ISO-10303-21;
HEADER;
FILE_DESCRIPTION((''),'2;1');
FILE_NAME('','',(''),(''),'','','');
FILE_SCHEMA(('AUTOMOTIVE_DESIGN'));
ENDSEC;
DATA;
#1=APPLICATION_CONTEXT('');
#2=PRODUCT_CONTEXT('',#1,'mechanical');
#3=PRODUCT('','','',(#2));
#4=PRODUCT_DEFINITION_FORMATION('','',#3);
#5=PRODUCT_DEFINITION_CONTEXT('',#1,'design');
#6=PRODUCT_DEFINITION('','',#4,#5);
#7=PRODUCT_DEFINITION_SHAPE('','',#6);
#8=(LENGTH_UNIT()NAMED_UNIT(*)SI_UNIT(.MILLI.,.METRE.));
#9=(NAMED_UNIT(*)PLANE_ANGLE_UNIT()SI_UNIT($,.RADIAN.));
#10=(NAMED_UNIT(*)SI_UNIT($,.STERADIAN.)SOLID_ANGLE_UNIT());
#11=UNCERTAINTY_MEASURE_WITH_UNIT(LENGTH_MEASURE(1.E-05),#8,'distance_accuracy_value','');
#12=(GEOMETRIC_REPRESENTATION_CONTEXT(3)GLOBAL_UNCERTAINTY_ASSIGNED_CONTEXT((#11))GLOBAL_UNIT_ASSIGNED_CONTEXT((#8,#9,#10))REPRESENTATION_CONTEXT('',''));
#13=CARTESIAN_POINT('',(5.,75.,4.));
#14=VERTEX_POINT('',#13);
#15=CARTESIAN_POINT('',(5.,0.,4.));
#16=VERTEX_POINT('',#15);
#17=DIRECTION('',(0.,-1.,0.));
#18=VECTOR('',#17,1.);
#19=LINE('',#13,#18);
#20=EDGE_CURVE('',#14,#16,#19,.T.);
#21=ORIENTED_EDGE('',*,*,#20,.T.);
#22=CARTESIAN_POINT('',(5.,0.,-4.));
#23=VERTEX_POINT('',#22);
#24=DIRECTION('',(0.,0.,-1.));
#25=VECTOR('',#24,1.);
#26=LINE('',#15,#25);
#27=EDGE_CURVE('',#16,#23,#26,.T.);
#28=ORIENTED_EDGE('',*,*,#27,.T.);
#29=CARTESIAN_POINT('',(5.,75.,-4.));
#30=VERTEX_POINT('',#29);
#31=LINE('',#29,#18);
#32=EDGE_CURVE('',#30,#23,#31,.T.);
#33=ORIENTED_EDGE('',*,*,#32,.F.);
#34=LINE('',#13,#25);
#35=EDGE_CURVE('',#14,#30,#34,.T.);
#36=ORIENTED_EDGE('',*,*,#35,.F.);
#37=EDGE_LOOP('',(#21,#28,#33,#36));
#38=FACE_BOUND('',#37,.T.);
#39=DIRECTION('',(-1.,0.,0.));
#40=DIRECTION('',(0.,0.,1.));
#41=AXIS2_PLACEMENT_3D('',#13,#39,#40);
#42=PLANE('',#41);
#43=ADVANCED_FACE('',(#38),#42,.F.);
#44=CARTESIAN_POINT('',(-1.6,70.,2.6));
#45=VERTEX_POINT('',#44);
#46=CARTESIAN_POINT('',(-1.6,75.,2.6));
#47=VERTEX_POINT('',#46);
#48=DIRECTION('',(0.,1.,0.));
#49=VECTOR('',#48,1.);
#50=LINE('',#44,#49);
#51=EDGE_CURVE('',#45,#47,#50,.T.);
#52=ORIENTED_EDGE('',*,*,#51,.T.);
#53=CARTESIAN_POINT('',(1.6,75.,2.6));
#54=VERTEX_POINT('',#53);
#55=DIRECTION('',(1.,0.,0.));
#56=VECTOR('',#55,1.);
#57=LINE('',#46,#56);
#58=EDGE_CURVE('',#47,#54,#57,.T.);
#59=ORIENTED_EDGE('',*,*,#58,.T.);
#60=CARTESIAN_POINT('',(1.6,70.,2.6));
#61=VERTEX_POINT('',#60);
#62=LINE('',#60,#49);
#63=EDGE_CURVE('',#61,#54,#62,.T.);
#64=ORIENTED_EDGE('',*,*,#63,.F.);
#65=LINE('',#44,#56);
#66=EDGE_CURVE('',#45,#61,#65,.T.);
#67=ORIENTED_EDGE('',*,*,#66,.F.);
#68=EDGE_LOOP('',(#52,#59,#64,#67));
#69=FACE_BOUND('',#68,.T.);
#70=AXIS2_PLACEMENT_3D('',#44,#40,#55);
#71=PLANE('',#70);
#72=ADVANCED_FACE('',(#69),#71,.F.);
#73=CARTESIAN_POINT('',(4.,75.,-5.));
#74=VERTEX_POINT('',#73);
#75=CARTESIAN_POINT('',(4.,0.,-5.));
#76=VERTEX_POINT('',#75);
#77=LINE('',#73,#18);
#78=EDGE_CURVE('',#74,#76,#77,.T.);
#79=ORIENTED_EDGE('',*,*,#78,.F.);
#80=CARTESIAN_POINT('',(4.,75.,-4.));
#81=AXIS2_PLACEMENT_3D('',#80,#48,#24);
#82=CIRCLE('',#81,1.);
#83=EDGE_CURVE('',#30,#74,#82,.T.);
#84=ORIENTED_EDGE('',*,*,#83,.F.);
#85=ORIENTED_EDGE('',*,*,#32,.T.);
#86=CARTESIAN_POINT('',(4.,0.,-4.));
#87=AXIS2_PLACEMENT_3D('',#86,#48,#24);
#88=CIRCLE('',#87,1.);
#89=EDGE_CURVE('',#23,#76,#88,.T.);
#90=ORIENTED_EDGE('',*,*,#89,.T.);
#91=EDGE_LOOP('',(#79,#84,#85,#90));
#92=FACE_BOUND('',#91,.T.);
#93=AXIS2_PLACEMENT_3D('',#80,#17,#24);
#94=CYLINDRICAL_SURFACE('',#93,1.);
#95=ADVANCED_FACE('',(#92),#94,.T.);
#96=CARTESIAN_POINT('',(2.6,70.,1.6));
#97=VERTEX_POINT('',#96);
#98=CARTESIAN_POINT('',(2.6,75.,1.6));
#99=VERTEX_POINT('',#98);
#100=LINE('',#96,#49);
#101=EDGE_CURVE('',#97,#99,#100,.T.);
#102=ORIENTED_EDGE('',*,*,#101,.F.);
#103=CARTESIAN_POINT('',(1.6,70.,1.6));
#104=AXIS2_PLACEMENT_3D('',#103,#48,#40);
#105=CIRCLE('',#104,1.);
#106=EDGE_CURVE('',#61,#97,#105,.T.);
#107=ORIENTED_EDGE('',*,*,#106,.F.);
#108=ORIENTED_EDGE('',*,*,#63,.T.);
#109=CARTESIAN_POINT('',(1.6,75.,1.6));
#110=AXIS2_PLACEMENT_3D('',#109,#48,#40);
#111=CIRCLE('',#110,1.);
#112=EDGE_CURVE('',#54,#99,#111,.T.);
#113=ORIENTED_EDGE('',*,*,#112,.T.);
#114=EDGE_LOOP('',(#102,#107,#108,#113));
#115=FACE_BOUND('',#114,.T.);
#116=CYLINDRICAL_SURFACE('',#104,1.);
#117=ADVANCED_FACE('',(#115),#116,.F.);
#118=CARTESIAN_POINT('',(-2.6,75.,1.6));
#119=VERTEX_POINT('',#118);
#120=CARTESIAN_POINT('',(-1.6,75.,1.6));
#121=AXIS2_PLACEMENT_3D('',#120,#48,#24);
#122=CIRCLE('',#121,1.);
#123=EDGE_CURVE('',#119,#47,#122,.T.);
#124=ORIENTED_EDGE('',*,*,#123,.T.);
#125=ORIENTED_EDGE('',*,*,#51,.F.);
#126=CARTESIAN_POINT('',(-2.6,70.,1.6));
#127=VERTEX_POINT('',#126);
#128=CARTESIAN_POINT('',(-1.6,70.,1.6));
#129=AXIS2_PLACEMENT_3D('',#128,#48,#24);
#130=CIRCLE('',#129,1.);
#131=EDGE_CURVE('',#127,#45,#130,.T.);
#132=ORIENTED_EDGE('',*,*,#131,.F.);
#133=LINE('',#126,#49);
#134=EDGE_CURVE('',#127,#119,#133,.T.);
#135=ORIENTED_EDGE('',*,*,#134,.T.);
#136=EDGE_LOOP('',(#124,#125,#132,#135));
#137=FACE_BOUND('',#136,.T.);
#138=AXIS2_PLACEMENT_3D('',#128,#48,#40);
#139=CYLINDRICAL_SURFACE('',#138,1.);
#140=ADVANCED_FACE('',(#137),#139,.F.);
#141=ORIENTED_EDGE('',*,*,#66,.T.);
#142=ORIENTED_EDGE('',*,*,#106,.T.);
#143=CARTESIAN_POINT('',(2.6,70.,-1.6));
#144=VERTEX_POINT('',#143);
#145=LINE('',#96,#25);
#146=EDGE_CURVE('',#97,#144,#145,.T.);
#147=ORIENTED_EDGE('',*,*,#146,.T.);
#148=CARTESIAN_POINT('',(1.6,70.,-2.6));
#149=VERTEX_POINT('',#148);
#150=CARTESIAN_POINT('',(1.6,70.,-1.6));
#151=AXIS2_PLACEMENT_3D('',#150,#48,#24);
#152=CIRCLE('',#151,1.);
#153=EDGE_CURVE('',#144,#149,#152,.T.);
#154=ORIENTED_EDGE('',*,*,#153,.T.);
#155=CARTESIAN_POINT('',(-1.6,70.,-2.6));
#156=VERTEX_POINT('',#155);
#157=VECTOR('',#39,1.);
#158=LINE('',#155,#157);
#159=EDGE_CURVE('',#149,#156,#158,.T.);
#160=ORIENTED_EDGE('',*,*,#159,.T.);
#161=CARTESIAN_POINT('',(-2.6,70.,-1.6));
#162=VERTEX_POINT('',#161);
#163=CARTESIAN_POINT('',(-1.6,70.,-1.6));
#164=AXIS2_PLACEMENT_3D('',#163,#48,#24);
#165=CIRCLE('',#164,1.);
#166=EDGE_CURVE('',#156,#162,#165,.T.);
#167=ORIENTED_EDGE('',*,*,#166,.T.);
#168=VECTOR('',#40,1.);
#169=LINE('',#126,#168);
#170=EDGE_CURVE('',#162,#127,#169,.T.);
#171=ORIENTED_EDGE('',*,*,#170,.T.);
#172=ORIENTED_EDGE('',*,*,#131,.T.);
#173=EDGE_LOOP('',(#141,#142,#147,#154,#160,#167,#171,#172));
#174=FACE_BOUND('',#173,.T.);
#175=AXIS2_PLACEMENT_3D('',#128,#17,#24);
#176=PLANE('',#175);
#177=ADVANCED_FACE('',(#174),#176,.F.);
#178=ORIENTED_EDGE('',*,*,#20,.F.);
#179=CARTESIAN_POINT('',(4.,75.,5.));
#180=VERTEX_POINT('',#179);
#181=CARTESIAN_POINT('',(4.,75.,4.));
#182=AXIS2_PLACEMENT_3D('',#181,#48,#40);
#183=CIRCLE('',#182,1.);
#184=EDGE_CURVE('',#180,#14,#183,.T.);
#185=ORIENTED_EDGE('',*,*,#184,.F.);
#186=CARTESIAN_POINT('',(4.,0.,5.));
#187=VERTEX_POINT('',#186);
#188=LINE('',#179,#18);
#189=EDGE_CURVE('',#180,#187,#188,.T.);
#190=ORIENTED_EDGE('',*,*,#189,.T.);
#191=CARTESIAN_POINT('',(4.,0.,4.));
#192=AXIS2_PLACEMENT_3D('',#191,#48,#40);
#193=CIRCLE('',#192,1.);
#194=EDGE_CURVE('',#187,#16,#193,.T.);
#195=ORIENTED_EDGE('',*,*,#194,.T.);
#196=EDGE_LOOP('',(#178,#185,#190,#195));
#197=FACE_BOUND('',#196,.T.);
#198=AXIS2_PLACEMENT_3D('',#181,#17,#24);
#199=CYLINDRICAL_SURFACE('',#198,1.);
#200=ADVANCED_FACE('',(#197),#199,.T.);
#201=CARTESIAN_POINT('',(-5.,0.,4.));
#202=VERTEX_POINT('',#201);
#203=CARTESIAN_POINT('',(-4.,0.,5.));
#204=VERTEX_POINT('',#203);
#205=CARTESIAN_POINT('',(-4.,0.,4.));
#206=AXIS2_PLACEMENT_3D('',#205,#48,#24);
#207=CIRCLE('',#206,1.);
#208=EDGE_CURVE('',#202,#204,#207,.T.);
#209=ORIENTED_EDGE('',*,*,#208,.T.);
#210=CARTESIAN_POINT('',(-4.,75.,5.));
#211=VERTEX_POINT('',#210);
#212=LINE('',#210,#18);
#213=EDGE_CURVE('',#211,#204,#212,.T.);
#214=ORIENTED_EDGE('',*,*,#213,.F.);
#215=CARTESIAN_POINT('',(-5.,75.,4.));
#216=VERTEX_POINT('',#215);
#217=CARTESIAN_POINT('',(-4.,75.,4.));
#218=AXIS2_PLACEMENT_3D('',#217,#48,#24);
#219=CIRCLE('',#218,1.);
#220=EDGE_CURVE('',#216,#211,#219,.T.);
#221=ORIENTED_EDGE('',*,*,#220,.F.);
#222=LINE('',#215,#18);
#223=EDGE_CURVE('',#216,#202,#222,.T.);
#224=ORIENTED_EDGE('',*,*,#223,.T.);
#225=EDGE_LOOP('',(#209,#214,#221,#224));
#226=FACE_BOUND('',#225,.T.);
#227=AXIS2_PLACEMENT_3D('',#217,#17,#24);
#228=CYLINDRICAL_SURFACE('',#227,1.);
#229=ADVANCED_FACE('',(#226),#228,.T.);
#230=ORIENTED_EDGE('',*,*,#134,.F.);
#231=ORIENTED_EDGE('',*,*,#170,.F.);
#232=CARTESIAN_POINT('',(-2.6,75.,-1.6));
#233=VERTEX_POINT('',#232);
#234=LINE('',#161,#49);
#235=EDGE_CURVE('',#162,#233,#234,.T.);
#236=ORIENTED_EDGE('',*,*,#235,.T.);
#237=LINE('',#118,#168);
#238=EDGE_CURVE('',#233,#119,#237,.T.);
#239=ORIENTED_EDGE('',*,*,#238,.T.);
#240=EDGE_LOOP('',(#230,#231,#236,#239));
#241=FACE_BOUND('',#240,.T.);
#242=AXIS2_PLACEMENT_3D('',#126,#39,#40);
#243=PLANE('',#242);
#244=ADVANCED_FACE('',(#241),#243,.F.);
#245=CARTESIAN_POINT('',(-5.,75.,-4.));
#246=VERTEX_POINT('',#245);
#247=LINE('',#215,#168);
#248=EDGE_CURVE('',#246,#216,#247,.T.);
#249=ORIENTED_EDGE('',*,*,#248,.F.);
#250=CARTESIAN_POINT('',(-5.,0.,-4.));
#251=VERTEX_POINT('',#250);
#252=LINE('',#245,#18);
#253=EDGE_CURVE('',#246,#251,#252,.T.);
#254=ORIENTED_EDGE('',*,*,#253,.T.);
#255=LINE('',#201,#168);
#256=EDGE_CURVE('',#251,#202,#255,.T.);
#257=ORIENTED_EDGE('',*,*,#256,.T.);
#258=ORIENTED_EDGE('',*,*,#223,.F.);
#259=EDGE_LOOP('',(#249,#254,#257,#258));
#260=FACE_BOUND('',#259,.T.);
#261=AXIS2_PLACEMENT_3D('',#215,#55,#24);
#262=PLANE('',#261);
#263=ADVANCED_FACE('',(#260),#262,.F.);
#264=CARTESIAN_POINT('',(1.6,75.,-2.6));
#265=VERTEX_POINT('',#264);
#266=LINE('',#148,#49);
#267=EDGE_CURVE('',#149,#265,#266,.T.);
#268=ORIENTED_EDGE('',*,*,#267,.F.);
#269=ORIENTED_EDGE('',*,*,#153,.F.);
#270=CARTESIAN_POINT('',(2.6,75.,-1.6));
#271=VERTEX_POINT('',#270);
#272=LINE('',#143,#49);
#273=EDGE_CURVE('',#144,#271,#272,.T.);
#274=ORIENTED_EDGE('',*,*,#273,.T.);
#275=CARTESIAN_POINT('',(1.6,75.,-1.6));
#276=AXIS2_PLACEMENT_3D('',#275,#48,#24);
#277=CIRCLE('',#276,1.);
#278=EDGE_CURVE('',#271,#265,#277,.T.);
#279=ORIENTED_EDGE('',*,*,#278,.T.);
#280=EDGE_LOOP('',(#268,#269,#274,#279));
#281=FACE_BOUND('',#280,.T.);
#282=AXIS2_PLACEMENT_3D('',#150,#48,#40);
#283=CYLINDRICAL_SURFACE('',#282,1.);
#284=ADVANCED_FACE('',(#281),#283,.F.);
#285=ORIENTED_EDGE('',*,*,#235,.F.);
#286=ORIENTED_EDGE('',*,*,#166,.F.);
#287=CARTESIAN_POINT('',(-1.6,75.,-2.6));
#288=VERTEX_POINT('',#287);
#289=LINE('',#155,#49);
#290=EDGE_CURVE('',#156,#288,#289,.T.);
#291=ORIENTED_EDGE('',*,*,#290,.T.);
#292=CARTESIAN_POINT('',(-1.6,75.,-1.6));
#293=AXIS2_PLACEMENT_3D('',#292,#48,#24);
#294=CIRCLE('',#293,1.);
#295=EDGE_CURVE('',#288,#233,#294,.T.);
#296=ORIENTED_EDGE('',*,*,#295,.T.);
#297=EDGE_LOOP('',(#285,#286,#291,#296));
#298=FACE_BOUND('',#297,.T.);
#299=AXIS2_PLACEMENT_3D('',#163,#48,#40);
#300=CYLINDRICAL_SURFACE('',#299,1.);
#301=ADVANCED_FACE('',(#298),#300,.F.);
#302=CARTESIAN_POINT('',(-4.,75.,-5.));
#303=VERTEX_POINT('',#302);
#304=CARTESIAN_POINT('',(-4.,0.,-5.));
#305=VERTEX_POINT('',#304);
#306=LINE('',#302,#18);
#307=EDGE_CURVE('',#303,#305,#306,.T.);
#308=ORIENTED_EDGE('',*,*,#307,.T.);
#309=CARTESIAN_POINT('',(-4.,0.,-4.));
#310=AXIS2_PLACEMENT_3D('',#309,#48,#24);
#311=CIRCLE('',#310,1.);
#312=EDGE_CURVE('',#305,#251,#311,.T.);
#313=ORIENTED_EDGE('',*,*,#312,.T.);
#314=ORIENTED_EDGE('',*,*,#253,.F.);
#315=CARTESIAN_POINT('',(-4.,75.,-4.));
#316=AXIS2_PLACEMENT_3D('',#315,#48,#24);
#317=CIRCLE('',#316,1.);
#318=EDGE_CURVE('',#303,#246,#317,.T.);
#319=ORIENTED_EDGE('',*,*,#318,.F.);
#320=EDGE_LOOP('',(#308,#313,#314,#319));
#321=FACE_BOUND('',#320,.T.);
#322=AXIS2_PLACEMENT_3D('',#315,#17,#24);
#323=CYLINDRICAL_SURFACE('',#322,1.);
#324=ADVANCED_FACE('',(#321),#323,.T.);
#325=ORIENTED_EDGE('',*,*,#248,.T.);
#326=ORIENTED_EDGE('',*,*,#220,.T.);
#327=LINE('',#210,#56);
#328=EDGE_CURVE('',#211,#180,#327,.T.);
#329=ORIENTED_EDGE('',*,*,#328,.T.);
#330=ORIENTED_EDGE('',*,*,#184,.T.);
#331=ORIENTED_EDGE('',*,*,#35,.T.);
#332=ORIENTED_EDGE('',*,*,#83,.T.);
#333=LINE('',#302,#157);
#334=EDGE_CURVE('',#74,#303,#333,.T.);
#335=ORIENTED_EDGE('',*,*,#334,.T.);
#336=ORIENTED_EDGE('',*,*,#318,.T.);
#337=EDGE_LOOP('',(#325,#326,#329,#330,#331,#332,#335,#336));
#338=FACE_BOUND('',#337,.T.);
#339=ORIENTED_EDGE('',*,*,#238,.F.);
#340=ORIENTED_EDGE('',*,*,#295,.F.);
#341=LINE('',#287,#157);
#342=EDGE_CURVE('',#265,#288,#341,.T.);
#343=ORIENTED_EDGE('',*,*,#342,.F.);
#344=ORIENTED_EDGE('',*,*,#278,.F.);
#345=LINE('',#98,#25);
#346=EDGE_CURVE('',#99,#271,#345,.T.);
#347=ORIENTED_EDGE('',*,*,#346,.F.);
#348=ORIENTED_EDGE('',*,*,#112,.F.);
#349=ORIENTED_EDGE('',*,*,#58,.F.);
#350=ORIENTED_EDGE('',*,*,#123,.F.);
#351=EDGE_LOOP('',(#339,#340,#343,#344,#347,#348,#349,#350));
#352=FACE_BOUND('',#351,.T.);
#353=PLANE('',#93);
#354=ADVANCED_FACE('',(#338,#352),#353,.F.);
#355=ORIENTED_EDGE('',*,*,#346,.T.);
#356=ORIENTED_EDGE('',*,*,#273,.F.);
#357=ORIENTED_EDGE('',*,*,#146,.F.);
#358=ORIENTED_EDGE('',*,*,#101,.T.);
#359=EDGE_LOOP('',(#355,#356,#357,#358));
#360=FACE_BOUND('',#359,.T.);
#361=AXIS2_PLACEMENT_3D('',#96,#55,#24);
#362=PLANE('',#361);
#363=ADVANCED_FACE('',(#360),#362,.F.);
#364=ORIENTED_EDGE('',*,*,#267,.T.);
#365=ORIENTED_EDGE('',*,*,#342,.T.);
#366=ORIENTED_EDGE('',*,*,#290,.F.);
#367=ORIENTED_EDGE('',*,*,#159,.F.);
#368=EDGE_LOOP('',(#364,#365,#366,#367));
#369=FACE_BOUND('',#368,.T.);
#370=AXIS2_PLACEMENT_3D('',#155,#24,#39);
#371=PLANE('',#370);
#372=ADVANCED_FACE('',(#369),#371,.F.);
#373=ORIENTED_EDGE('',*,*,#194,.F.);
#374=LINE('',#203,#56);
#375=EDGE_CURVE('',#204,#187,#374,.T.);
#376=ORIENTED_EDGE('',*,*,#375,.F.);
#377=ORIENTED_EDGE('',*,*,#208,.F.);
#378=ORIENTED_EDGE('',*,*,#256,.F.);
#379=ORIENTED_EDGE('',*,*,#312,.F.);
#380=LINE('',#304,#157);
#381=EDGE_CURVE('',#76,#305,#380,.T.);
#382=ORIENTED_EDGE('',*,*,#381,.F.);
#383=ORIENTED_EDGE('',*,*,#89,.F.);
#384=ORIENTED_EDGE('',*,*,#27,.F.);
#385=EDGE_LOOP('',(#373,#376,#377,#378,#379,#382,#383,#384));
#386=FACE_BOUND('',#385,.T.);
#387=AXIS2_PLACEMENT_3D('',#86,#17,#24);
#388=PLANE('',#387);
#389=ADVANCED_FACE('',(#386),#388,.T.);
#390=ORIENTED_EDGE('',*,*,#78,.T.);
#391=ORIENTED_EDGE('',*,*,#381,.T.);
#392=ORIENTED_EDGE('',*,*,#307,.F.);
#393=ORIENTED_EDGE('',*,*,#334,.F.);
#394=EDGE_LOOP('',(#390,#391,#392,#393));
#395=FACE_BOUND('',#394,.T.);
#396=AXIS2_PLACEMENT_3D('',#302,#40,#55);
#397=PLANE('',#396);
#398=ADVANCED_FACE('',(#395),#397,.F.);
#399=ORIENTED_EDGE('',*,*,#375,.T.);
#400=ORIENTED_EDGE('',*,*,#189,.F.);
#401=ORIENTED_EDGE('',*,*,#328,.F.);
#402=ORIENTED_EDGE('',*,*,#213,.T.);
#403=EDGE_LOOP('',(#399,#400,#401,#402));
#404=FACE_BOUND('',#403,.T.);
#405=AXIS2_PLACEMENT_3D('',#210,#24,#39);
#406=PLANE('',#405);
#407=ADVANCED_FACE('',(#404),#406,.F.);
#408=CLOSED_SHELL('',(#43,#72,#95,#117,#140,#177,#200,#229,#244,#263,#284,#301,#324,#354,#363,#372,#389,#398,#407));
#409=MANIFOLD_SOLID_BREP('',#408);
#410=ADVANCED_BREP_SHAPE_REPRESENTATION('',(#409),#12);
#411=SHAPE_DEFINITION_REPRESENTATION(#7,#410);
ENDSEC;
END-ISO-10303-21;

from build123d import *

# Parameters (mm, degrees)
EXTRUDE_1_DEPTH     = 75
CUT_EXTRUDE_1_DEPTH = 5


with BuildPart() as part:
    # ｽｹｯﾁ1 → ﾎﾞｽ - 押し出し1 (new body)
    with BuildSketch(Plane(origin=(0, 0, 0), x_dir=(1, 0, 0), z_dir=(0, 1, 0))):
        with BuildLine():
            Line((-4, -5), (4, -5))
            ThreePointArc((4, -5), (4.707106781, -4.707106781), (5, -4))
            Line((5, -4), (5, 4))
            ThreePointArc((5, 4), (4.707106781, 4.707106781), (4, 5))
            Line((4, 5), (-4, 5))
            ThreePointArc((-4, 5), (-4.707106781, 4.707106781), (-5, 4))
            Line((-5, 4), (-5, -4))
            ThreePointArc((-5, -4), (-4.707106781, -4.707106781), (-4, -5))
        make_face()
    extrude(amount=EXTRUDE_1_DEPTH)

    # ｽｹｯﾁ2 → ｶｯﾄ - 押し出し1 (cut)
    with BuildSketch(Plane(origin=(0, 75, 0), x_dir=(1, 0, 0), z_dir=(0, 1, 0))):
        with BuildLine():
            Line((-1.6, -2.6), (1.6, -2.6))
            ThreePointArc((1.6, -2.6), (2.307106781, -2.307106781), (2.6, -1.6))
            Line((2.6, -1.6), (2.6, 1.6))
            ThreePointArc((2.6, 1.6), (2.307106781, 2.307106781), (1.6, 2.6))
            Line((1.6, 2.6), (-1.6, 2.6))
            ThreePointArc((-1.6, 2.6), (-2.307106781, 2.307106781), (-2.6, 1.6))
            Line((-2.6, 1.6), (-2.6, -1.6))
            ThreePointArc((-2.6, -1.6), (-2.307106781, -2.307106781), (-1.6, -2.6))
        make_face()
    extrude(amount=-CUT_EXTRUDE_1_DEPTH, mode=Mode.SUBTRACT)


solid = part.part
